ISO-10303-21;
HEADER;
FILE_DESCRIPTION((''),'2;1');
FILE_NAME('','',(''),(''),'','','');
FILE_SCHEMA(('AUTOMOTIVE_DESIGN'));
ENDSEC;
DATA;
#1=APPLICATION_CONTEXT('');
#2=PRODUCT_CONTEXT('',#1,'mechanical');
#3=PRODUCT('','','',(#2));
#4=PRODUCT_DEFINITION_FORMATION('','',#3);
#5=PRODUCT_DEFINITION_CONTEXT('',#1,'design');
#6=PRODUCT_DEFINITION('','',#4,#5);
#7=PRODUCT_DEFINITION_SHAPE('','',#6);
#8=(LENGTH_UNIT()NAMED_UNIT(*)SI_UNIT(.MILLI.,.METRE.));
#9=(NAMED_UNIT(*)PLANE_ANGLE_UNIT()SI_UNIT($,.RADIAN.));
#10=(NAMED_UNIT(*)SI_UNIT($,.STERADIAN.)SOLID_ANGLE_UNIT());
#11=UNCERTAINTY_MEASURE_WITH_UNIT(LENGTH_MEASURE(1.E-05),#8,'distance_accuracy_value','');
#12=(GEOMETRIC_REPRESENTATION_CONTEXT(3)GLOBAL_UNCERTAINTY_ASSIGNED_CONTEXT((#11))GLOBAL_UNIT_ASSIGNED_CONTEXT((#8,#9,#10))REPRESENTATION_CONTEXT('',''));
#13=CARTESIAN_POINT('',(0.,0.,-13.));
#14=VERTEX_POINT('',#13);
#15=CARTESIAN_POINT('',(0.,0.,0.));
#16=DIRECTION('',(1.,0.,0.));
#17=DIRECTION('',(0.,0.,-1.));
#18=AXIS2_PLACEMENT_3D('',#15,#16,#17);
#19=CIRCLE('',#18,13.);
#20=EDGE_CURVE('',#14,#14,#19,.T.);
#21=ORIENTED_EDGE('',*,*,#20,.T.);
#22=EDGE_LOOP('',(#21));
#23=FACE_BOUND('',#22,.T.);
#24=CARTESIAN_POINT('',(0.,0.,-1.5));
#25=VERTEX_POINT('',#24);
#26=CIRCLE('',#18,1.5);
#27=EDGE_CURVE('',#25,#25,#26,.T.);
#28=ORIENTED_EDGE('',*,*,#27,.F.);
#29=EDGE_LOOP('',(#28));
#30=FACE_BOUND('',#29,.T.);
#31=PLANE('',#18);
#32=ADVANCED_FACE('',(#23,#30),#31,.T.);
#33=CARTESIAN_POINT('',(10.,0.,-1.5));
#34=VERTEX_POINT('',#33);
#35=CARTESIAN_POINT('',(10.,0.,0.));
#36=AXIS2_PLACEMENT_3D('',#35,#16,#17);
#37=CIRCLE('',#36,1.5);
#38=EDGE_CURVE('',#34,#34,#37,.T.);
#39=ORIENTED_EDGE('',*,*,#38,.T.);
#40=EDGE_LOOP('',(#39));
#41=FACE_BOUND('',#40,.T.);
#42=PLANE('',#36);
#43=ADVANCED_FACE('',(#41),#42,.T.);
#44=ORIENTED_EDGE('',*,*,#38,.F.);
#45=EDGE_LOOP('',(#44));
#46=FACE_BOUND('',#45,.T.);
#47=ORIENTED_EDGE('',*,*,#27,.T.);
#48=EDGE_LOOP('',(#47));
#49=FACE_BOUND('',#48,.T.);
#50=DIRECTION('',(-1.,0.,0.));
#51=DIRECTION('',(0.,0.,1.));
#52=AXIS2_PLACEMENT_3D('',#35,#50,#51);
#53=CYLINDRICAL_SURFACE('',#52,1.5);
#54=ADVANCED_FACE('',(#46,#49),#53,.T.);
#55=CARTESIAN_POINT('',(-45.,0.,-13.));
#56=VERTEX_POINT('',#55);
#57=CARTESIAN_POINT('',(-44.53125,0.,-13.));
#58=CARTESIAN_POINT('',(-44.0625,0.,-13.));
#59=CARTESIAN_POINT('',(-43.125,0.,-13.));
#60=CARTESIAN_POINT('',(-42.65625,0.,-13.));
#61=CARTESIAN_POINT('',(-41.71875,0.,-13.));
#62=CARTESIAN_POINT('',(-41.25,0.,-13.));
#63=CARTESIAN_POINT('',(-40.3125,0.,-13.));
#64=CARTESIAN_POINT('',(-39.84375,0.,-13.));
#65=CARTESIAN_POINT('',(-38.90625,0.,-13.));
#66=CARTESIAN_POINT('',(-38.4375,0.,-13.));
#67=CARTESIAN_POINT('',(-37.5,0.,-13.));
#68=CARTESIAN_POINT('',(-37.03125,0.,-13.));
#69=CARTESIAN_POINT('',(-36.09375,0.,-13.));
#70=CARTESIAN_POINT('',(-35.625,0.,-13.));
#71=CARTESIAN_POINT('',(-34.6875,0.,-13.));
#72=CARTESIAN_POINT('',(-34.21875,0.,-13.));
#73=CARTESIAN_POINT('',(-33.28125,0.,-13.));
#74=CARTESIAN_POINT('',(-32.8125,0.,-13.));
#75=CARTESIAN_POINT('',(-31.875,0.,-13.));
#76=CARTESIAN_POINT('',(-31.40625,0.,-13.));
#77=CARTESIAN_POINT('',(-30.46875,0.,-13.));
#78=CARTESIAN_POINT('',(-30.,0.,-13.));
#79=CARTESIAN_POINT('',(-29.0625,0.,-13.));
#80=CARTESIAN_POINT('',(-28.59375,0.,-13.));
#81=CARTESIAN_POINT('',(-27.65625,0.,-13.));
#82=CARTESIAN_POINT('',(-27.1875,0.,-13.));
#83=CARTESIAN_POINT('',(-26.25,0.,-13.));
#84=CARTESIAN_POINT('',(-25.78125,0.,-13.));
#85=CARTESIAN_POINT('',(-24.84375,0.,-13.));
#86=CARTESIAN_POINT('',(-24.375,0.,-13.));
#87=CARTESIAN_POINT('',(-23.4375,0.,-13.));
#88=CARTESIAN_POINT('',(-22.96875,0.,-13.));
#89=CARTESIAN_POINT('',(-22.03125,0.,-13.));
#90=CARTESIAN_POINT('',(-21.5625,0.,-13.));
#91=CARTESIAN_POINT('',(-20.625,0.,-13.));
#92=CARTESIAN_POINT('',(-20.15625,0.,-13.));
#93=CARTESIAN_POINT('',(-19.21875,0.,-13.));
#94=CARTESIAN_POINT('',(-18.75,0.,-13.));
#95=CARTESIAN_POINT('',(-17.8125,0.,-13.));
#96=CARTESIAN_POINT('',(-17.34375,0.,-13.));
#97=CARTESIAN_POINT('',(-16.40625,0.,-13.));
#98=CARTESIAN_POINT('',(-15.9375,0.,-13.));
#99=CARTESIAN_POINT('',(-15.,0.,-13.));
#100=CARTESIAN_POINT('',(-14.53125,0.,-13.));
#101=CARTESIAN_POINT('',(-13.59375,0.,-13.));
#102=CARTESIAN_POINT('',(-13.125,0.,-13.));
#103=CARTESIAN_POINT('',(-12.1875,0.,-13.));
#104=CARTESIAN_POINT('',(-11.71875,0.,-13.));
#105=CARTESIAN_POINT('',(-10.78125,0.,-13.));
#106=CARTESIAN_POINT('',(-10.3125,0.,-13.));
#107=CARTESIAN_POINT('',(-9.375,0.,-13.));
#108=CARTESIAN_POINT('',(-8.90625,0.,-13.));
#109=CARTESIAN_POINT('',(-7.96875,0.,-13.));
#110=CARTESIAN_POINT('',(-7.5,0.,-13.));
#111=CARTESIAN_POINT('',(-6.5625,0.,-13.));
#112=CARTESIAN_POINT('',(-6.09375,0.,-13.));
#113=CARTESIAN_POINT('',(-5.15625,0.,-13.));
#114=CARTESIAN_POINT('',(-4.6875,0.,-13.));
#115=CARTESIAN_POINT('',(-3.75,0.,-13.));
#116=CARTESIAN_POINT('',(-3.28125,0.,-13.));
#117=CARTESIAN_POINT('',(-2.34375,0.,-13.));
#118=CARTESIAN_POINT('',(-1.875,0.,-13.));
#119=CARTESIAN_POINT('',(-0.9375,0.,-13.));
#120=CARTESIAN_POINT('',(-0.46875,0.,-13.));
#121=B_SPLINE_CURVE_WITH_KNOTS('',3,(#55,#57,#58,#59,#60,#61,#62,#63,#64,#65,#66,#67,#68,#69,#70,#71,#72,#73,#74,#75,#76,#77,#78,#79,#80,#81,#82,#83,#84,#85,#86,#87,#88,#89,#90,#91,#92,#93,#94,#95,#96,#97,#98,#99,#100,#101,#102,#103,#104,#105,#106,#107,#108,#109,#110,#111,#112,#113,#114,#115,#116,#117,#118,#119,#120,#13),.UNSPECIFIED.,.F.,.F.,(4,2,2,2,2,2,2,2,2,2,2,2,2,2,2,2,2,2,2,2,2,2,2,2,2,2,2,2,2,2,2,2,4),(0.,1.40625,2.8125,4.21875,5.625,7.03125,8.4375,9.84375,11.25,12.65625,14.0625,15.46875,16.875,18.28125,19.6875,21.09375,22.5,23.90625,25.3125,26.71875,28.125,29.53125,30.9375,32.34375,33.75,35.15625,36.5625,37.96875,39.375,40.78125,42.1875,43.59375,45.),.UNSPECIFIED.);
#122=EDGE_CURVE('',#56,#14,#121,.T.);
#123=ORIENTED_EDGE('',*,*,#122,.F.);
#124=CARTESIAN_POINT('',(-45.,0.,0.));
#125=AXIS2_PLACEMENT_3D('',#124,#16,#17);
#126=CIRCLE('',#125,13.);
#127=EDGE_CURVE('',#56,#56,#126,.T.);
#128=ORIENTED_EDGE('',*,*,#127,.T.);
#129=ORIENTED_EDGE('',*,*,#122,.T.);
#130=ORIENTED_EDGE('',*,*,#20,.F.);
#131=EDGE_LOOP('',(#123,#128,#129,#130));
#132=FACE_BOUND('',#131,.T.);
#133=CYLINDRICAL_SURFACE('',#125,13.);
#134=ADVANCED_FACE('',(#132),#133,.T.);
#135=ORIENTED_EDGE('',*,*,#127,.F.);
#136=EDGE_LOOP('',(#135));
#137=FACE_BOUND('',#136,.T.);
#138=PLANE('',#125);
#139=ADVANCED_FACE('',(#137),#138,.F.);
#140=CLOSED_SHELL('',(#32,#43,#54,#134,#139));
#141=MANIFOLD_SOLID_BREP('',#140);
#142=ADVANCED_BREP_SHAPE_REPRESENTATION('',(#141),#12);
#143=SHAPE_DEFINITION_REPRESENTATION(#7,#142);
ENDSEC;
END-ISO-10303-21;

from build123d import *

# Parameters (mm, degrees)
SKETCH1_R           = 1.5
BOSS_EXTRUDE1_DEPTH = 10
SKETCH1_3_R         = 13
BOSS_EXTRUDE2_DEPTH = 45


with BuildPart() as part:
    # Sketch1 → Boss-Extrude1 (new body)
    with BuildSketch(Plane.YZ):
        Circle(SKETCH1_R)
    extrude(amount=BOSS_EXTRUDE1_DEPTH)

    # Sketch1<3> → Boss-Extrude2 (add)
    with BuildSketch(Plane.YZ):
        Circle(SKETCH1_3_R)
    extrude(amount=-BOSS_EXTRUDE2_DEPTH)


solid = part.part
